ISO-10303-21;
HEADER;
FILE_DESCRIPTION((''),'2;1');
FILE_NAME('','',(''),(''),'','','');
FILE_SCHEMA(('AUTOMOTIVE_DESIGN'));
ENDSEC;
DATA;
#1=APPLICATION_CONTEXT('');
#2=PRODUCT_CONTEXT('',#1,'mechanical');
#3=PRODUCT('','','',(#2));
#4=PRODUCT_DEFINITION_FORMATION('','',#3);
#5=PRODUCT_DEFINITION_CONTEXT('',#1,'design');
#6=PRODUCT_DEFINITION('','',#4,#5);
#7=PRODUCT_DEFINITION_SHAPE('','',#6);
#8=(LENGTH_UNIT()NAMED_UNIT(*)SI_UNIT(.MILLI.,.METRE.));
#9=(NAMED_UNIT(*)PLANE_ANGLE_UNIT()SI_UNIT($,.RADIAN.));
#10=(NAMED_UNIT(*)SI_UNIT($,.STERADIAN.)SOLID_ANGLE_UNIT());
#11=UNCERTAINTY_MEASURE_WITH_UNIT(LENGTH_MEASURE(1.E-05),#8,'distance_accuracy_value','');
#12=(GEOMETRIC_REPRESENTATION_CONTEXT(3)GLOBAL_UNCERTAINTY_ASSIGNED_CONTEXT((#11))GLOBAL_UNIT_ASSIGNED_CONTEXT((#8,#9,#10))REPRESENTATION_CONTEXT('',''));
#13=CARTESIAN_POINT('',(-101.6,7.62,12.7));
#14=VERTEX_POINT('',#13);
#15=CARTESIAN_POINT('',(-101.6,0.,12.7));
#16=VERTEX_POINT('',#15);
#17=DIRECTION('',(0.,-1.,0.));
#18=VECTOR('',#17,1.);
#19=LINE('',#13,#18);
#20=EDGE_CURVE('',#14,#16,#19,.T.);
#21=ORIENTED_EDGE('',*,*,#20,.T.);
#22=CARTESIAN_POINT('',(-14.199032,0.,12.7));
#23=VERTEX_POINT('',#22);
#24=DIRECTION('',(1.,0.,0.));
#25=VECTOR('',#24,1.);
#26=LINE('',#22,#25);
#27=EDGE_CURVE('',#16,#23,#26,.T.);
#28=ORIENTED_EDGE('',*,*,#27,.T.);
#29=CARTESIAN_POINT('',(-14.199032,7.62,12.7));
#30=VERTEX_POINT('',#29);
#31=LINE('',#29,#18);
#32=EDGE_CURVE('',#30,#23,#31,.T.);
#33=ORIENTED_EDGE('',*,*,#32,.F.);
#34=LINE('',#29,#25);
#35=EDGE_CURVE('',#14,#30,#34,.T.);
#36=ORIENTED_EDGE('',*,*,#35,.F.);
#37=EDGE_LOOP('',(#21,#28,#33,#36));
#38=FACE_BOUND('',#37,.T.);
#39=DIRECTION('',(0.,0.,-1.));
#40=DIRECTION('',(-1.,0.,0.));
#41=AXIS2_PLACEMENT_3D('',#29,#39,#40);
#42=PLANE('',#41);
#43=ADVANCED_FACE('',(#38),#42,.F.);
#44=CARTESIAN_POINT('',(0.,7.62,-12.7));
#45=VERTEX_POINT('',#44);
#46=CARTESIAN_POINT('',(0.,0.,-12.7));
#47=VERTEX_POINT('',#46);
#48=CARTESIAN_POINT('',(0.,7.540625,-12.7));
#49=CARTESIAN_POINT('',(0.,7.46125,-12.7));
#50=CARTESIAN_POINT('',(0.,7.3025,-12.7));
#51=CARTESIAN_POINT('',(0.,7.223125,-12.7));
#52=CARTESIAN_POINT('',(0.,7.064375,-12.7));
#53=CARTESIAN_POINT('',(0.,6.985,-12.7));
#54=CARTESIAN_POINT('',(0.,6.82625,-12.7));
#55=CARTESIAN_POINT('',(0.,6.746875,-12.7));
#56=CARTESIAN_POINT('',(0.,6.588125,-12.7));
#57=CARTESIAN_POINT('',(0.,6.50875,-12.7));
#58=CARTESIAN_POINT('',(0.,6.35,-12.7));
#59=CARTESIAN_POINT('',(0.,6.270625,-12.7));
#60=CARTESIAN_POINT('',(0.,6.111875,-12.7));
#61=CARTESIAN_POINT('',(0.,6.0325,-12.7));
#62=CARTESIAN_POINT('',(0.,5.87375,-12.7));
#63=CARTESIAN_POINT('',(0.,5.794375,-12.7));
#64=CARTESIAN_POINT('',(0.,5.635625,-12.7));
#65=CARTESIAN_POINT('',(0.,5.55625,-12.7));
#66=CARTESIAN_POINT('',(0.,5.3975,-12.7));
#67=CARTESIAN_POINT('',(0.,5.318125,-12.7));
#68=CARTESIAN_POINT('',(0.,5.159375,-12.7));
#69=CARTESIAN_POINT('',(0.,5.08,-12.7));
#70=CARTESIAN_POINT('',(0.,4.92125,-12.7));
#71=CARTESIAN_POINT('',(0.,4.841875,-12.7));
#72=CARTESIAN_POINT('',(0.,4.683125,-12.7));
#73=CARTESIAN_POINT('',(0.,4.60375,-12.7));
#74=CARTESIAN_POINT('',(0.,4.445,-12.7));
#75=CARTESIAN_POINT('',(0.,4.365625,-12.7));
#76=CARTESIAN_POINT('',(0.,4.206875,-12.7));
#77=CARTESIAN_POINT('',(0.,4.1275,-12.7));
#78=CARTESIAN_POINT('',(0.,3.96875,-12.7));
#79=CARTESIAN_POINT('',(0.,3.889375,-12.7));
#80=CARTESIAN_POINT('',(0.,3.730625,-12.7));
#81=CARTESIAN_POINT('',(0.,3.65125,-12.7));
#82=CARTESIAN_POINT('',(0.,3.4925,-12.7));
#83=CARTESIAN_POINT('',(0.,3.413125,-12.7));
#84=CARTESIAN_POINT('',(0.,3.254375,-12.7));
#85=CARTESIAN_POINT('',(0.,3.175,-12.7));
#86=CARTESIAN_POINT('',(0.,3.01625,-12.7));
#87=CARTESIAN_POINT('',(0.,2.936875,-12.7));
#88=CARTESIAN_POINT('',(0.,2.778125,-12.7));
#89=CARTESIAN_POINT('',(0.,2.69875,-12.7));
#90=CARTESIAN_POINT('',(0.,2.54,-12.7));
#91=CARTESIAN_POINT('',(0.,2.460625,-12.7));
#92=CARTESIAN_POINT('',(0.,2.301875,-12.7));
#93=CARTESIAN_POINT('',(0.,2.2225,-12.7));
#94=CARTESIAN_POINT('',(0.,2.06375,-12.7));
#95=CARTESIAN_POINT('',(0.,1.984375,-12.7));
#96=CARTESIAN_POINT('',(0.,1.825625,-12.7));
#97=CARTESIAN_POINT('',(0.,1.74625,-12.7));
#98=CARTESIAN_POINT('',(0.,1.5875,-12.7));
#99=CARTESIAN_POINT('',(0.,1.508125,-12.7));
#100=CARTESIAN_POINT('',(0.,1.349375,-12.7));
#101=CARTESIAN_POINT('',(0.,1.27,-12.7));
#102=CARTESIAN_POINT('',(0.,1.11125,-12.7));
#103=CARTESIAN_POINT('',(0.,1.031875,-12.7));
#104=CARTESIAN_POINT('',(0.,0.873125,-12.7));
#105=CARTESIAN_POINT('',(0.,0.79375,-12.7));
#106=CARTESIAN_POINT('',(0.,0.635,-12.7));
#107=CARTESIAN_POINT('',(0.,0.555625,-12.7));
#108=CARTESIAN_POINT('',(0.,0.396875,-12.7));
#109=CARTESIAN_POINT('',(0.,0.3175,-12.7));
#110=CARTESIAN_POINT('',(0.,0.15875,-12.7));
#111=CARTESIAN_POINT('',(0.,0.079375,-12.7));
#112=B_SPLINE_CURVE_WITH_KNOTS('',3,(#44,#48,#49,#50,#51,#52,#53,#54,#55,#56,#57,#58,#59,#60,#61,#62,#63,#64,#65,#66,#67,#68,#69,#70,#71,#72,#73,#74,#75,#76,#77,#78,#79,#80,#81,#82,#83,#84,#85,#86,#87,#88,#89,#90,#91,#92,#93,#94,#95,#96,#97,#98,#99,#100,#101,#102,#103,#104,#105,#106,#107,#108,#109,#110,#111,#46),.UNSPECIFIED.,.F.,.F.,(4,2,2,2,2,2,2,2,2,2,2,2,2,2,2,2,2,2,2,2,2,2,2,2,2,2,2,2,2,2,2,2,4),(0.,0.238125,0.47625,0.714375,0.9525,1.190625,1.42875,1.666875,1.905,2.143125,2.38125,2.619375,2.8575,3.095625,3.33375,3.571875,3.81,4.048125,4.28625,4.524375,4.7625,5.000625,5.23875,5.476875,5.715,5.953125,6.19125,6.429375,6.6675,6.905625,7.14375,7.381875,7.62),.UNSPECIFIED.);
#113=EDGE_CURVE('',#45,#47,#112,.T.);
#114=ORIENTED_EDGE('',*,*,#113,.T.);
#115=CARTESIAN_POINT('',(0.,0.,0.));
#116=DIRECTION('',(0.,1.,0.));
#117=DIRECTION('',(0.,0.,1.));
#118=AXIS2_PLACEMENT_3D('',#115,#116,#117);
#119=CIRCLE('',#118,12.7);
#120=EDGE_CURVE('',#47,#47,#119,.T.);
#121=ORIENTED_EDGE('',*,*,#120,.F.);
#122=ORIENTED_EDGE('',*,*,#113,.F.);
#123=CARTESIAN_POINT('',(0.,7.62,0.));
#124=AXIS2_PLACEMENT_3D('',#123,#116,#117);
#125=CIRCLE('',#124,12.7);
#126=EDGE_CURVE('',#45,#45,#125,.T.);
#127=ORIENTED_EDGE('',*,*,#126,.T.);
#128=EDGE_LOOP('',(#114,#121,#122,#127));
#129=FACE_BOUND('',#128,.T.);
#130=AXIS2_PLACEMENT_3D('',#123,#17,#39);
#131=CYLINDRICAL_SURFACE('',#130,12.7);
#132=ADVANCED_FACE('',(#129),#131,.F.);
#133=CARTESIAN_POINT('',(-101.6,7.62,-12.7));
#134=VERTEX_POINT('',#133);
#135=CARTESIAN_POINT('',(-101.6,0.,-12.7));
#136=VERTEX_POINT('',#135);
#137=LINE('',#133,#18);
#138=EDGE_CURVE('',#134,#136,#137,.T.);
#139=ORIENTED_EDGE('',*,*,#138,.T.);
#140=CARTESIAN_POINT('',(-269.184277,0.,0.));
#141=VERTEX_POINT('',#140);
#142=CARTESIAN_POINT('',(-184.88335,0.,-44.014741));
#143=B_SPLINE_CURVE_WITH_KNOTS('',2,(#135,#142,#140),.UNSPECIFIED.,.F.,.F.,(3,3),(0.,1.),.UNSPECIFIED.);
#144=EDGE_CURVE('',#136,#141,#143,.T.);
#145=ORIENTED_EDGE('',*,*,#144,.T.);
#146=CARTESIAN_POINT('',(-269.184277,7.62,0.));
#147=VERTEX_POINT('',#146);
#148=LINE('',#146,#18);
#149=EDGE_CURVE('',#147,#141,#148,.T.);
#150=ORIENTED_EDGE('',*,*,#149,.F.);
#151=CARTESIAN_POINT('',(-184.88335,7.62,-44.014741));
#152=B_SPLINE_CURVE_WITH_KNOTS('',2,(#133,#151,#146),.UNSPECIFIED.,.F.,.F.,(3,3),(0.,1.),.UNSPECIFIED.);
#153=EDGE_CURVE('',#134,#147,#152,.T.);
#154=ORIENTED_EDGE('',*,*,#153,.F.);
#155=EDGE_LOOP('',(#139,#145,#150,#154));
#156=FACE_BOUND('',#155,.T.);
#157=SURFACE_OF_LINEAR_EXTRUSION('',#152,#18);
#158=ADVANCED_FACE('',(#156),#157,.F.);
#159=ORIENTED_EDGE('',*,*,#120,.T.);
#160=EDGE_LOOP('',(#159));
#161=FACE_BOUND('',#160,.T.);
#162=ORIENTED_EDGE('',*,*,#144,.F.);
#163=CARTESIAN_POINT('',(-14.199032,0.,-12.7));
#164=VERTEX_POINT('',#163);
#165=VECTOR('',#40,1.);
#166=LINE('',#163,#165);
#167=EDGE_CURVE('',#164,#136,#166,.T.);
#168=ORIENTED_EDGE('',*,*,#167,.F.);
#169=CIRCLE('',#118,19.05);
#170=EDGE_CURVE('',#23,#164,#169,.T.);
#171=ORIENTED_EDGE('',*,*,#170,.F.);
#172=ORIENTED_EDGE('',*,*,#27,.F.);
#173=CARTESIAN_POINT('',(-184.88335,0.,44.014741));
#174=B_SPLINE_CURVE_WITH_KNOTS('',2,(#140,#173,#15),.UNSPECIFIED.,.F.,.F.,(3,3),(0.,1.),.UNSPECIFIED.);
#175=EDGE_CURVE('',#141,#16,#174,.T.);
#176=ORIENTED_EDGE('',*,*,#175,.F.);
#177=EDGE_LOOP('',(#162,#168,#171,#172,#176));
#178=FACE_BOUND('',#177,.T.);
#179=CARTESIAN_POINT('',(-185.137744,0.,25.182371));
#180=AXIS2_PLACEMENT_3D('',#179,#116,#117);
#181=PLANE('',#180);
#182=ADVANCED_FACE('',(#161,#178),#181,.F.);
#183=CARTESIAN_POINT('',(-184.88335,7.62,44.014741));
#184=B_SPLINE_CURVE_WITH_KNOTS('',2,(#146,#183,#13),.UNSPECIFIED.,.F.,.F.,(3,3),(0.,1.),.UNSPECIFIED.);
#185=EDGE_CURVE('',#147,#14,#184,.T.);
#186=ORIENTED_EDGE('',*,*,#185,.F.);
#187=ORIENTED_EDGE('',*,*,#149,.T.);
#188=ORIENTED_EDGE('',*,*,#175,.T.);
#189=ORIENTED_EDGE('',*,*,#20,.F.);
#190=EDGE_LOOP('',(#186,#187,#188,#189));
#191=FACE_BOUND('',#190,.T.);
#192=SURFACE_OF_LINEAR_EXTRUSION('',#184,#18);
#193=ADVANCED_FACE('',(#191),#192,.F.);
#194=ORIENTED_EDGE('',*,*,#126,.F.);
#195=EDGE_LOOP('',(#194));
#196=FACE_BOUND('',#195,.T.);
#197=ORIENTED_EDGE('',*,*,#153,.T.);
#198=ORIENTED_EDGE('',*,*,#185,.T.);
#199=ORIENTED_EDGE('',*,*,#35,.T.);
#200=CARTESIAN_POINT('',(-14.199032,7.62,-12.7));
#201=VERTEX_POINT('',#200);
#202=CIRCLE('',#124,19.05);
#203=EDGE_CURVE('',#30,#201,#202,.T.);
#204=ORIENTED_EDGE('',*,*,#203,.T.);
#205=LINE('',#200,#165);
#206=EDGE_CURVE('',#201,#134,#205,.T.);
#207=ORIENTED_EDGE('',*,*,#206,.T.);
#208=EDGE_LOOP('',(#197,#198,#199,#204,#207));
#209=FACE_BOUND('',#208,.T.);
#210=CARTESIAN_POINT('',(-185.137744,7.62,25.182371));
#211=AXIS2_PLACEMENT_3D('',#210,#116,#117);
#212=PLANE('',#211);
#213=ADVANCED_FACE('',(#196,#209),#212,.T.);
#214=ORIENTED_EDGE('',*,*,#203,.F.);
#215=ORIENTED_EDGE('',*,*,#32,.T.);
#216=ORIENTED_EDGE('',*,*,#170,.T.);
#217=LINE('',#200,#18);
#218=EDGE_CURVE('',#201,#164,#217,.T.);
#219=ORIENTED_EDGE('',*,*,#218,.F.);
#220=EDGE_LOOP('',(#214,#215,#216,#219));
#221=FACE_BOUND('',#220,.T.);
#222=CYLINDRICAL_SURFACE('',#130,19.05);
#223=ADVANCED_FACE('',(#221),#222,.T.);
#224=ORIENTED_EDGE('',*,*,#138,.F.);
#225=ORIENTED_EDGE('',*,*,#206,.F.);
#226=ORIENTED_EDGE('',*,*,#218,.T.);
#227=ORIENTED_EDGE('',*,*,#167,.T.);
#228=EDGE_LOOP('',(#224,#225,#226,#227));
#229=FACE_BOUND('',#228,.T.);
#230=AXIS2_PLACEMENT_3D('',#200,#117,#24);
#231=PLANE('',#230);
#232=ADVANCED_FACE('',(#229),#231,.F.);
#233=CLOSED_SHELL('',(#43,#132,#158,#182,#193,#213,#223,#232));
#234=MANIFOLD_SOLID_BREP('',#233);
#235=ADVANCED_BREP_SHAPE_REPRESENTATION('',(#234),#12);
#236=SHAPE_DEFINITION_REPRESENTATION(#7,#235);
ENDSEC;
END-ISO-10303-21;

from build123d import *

# Parameters (mm, degrees)
SKETCH1_R           = 12.7
BOSS_EXTRUDE1_DEPTH = 7.62


with BuildPart() as part:
    # Sketch1 → Boss-Extrude1 (new body)
    with BuildSketch(Plane(origin=(0, 0, 0), x_dir=(1, 0, 0), z_dir=(0, 1, 0))):
        with BuildLine():
            Line((-14.199031657, 12.7), (-101.6, 12.7))
            add(Edge.make_bspline(
                [(-101.6, 12.7), (-184.883349987, 44.014741237), (-269.184277242, 0)],
                knots=[0, 0, 0, 1, 1, 1], degree=2))
            add(Edge.make_bspline(
                [(-101.6, -12.7), (-184.883349987, -44.014741237), (-269.184277242, 0)],
                knots=[0, 0, 0, 1, 1, 1], degree=2))
            Line((-101.6, -12.7), (-14.199031657, -12.7))
            ThreePointArc((-14.199031657, -12.7), (19.05, 0), (-14.199031657, 12.7))
        make_face()
        with Locations(Location((0, 0, 0), (0, 0, 90))):
            Circle(SKETCH1_R, mode=Mode.SUBTRACT)
    extrude(amount=BOSS_EXTRUDE1_DEPTH)


solid = part.part
